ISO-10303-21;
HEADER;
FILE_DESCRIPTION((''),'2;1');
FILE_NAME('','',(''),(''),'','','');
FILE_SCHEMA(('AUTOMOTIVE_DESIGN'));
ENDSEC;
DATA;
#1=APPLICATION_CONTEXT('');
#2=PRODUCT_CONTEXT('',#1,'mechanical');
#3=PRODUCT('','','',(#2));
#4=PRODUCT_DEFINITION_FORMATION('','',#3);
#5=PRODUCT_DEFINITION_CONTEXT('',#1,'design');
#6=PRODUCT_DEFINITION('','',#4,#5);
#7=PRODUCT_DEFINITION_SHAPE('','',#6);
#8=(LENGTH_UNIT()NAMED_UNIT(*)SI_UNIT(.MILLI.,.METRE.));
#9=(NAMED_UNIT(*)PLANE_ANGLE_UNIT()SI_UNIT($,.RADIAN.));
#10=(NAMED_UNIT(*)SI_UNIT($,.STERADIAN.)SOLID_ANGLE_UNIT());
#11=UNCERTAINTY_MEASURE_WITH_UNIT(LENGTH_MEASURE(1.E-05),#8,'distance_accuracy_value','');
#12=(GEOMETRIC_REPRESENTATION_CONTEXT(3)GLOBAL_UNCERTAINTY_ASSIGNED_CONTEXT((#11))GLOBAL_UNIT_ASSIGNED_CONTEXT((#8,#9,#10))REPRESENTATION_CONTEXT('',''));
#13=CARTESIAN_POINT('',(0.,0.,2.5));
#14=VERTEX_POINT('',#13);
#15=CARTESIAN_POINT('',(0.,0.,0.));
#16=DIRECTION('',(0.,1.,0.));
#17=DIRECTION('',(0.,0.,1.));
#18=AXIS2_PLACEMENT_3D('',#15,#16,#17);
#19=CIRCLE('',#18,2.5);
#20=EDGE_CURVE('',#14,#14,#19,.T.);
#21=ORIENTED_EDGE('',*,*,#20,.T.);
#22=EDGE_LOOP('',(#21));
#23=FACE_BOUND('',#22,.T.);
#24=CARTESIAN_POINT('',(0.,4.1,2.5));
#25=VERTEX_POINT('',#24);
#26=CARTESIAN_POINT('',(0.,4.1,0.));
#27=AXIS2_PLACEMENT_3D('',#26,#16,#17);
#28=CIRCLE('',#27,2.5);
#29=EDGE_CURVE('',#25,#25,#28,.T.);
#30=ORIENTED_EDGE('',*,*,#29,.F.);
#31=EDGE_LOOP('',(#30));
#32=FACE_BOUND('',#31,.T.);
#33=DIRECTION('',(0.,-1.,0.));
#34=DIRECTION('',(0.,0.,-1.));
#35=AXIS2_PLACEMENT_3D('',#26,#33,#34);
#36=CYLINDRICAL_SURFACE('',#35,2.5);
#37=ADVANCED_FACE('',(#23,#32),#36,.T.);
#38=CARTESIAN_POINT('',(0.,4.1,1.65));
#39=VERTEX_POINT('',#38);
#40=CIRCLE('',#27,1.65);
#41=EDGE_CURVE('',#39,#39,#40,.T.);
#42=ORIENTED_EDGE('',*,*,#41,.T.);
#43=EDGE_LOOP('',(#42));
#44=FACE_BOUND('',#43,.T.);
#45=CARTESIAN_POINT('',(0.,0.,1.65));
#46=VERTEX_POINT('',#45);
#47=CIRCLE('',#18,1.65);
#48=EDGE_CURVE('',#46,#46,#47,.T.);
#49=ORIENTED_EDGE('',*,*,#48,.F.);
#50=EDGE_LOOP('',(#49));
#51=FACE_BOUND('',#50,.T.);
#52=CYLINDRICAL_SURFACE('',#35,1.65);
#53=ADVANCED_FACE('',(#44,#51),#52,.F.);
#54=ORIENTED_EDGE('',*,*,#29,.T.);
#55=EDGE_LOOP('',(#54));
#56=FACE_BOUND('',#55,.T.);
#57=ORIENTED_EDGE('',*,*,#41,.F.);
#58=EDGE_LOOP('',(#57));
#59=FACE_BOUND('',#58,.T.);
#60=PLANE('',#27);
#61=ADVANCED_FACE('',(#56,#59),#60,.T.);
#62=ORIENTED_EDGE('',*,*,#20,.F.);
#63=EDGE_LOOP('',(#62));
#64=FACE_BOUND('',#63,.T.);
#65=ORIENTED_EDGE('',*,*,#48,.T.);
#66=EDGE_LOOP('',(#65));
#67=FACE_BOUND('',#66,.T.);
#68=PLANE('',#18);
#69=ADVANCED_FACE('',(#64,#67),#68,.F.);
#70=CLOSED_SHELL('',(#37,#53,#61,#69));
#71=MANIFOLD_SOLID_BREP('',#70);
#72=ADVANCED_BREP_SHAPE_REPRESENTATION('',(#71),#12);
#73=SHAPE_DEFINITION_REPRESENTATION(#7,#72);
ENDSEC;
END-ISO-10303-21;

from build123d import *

# Parameters (mm, degrees)
SKETCH_1_R      = 2.5
SKETCH_1_R_2    = 1.65
EXTRUDE_1_DEPTH = 4.1


with BuildPart() as part:
    # 草图1 → 凸台-拉伸1 (new body)
    with BuildSketch(Plane(origin=(0, 0, 0), x_dir=(1, 0, 0), z_dir=(0, 1, 0))):
        with Locations(Location((0, 0, 0), (0, 0, 270))):
            Circle(SKETCH_1_R)
        with Locations(Location((0, 0, 0), (0, 0, 270))):
            Circle(SKETCH_1_R_2, mode=Mode.SUBTRACT)
    extrude(amount=EXTRUDE_1_DEPTH)


solid = part.part
